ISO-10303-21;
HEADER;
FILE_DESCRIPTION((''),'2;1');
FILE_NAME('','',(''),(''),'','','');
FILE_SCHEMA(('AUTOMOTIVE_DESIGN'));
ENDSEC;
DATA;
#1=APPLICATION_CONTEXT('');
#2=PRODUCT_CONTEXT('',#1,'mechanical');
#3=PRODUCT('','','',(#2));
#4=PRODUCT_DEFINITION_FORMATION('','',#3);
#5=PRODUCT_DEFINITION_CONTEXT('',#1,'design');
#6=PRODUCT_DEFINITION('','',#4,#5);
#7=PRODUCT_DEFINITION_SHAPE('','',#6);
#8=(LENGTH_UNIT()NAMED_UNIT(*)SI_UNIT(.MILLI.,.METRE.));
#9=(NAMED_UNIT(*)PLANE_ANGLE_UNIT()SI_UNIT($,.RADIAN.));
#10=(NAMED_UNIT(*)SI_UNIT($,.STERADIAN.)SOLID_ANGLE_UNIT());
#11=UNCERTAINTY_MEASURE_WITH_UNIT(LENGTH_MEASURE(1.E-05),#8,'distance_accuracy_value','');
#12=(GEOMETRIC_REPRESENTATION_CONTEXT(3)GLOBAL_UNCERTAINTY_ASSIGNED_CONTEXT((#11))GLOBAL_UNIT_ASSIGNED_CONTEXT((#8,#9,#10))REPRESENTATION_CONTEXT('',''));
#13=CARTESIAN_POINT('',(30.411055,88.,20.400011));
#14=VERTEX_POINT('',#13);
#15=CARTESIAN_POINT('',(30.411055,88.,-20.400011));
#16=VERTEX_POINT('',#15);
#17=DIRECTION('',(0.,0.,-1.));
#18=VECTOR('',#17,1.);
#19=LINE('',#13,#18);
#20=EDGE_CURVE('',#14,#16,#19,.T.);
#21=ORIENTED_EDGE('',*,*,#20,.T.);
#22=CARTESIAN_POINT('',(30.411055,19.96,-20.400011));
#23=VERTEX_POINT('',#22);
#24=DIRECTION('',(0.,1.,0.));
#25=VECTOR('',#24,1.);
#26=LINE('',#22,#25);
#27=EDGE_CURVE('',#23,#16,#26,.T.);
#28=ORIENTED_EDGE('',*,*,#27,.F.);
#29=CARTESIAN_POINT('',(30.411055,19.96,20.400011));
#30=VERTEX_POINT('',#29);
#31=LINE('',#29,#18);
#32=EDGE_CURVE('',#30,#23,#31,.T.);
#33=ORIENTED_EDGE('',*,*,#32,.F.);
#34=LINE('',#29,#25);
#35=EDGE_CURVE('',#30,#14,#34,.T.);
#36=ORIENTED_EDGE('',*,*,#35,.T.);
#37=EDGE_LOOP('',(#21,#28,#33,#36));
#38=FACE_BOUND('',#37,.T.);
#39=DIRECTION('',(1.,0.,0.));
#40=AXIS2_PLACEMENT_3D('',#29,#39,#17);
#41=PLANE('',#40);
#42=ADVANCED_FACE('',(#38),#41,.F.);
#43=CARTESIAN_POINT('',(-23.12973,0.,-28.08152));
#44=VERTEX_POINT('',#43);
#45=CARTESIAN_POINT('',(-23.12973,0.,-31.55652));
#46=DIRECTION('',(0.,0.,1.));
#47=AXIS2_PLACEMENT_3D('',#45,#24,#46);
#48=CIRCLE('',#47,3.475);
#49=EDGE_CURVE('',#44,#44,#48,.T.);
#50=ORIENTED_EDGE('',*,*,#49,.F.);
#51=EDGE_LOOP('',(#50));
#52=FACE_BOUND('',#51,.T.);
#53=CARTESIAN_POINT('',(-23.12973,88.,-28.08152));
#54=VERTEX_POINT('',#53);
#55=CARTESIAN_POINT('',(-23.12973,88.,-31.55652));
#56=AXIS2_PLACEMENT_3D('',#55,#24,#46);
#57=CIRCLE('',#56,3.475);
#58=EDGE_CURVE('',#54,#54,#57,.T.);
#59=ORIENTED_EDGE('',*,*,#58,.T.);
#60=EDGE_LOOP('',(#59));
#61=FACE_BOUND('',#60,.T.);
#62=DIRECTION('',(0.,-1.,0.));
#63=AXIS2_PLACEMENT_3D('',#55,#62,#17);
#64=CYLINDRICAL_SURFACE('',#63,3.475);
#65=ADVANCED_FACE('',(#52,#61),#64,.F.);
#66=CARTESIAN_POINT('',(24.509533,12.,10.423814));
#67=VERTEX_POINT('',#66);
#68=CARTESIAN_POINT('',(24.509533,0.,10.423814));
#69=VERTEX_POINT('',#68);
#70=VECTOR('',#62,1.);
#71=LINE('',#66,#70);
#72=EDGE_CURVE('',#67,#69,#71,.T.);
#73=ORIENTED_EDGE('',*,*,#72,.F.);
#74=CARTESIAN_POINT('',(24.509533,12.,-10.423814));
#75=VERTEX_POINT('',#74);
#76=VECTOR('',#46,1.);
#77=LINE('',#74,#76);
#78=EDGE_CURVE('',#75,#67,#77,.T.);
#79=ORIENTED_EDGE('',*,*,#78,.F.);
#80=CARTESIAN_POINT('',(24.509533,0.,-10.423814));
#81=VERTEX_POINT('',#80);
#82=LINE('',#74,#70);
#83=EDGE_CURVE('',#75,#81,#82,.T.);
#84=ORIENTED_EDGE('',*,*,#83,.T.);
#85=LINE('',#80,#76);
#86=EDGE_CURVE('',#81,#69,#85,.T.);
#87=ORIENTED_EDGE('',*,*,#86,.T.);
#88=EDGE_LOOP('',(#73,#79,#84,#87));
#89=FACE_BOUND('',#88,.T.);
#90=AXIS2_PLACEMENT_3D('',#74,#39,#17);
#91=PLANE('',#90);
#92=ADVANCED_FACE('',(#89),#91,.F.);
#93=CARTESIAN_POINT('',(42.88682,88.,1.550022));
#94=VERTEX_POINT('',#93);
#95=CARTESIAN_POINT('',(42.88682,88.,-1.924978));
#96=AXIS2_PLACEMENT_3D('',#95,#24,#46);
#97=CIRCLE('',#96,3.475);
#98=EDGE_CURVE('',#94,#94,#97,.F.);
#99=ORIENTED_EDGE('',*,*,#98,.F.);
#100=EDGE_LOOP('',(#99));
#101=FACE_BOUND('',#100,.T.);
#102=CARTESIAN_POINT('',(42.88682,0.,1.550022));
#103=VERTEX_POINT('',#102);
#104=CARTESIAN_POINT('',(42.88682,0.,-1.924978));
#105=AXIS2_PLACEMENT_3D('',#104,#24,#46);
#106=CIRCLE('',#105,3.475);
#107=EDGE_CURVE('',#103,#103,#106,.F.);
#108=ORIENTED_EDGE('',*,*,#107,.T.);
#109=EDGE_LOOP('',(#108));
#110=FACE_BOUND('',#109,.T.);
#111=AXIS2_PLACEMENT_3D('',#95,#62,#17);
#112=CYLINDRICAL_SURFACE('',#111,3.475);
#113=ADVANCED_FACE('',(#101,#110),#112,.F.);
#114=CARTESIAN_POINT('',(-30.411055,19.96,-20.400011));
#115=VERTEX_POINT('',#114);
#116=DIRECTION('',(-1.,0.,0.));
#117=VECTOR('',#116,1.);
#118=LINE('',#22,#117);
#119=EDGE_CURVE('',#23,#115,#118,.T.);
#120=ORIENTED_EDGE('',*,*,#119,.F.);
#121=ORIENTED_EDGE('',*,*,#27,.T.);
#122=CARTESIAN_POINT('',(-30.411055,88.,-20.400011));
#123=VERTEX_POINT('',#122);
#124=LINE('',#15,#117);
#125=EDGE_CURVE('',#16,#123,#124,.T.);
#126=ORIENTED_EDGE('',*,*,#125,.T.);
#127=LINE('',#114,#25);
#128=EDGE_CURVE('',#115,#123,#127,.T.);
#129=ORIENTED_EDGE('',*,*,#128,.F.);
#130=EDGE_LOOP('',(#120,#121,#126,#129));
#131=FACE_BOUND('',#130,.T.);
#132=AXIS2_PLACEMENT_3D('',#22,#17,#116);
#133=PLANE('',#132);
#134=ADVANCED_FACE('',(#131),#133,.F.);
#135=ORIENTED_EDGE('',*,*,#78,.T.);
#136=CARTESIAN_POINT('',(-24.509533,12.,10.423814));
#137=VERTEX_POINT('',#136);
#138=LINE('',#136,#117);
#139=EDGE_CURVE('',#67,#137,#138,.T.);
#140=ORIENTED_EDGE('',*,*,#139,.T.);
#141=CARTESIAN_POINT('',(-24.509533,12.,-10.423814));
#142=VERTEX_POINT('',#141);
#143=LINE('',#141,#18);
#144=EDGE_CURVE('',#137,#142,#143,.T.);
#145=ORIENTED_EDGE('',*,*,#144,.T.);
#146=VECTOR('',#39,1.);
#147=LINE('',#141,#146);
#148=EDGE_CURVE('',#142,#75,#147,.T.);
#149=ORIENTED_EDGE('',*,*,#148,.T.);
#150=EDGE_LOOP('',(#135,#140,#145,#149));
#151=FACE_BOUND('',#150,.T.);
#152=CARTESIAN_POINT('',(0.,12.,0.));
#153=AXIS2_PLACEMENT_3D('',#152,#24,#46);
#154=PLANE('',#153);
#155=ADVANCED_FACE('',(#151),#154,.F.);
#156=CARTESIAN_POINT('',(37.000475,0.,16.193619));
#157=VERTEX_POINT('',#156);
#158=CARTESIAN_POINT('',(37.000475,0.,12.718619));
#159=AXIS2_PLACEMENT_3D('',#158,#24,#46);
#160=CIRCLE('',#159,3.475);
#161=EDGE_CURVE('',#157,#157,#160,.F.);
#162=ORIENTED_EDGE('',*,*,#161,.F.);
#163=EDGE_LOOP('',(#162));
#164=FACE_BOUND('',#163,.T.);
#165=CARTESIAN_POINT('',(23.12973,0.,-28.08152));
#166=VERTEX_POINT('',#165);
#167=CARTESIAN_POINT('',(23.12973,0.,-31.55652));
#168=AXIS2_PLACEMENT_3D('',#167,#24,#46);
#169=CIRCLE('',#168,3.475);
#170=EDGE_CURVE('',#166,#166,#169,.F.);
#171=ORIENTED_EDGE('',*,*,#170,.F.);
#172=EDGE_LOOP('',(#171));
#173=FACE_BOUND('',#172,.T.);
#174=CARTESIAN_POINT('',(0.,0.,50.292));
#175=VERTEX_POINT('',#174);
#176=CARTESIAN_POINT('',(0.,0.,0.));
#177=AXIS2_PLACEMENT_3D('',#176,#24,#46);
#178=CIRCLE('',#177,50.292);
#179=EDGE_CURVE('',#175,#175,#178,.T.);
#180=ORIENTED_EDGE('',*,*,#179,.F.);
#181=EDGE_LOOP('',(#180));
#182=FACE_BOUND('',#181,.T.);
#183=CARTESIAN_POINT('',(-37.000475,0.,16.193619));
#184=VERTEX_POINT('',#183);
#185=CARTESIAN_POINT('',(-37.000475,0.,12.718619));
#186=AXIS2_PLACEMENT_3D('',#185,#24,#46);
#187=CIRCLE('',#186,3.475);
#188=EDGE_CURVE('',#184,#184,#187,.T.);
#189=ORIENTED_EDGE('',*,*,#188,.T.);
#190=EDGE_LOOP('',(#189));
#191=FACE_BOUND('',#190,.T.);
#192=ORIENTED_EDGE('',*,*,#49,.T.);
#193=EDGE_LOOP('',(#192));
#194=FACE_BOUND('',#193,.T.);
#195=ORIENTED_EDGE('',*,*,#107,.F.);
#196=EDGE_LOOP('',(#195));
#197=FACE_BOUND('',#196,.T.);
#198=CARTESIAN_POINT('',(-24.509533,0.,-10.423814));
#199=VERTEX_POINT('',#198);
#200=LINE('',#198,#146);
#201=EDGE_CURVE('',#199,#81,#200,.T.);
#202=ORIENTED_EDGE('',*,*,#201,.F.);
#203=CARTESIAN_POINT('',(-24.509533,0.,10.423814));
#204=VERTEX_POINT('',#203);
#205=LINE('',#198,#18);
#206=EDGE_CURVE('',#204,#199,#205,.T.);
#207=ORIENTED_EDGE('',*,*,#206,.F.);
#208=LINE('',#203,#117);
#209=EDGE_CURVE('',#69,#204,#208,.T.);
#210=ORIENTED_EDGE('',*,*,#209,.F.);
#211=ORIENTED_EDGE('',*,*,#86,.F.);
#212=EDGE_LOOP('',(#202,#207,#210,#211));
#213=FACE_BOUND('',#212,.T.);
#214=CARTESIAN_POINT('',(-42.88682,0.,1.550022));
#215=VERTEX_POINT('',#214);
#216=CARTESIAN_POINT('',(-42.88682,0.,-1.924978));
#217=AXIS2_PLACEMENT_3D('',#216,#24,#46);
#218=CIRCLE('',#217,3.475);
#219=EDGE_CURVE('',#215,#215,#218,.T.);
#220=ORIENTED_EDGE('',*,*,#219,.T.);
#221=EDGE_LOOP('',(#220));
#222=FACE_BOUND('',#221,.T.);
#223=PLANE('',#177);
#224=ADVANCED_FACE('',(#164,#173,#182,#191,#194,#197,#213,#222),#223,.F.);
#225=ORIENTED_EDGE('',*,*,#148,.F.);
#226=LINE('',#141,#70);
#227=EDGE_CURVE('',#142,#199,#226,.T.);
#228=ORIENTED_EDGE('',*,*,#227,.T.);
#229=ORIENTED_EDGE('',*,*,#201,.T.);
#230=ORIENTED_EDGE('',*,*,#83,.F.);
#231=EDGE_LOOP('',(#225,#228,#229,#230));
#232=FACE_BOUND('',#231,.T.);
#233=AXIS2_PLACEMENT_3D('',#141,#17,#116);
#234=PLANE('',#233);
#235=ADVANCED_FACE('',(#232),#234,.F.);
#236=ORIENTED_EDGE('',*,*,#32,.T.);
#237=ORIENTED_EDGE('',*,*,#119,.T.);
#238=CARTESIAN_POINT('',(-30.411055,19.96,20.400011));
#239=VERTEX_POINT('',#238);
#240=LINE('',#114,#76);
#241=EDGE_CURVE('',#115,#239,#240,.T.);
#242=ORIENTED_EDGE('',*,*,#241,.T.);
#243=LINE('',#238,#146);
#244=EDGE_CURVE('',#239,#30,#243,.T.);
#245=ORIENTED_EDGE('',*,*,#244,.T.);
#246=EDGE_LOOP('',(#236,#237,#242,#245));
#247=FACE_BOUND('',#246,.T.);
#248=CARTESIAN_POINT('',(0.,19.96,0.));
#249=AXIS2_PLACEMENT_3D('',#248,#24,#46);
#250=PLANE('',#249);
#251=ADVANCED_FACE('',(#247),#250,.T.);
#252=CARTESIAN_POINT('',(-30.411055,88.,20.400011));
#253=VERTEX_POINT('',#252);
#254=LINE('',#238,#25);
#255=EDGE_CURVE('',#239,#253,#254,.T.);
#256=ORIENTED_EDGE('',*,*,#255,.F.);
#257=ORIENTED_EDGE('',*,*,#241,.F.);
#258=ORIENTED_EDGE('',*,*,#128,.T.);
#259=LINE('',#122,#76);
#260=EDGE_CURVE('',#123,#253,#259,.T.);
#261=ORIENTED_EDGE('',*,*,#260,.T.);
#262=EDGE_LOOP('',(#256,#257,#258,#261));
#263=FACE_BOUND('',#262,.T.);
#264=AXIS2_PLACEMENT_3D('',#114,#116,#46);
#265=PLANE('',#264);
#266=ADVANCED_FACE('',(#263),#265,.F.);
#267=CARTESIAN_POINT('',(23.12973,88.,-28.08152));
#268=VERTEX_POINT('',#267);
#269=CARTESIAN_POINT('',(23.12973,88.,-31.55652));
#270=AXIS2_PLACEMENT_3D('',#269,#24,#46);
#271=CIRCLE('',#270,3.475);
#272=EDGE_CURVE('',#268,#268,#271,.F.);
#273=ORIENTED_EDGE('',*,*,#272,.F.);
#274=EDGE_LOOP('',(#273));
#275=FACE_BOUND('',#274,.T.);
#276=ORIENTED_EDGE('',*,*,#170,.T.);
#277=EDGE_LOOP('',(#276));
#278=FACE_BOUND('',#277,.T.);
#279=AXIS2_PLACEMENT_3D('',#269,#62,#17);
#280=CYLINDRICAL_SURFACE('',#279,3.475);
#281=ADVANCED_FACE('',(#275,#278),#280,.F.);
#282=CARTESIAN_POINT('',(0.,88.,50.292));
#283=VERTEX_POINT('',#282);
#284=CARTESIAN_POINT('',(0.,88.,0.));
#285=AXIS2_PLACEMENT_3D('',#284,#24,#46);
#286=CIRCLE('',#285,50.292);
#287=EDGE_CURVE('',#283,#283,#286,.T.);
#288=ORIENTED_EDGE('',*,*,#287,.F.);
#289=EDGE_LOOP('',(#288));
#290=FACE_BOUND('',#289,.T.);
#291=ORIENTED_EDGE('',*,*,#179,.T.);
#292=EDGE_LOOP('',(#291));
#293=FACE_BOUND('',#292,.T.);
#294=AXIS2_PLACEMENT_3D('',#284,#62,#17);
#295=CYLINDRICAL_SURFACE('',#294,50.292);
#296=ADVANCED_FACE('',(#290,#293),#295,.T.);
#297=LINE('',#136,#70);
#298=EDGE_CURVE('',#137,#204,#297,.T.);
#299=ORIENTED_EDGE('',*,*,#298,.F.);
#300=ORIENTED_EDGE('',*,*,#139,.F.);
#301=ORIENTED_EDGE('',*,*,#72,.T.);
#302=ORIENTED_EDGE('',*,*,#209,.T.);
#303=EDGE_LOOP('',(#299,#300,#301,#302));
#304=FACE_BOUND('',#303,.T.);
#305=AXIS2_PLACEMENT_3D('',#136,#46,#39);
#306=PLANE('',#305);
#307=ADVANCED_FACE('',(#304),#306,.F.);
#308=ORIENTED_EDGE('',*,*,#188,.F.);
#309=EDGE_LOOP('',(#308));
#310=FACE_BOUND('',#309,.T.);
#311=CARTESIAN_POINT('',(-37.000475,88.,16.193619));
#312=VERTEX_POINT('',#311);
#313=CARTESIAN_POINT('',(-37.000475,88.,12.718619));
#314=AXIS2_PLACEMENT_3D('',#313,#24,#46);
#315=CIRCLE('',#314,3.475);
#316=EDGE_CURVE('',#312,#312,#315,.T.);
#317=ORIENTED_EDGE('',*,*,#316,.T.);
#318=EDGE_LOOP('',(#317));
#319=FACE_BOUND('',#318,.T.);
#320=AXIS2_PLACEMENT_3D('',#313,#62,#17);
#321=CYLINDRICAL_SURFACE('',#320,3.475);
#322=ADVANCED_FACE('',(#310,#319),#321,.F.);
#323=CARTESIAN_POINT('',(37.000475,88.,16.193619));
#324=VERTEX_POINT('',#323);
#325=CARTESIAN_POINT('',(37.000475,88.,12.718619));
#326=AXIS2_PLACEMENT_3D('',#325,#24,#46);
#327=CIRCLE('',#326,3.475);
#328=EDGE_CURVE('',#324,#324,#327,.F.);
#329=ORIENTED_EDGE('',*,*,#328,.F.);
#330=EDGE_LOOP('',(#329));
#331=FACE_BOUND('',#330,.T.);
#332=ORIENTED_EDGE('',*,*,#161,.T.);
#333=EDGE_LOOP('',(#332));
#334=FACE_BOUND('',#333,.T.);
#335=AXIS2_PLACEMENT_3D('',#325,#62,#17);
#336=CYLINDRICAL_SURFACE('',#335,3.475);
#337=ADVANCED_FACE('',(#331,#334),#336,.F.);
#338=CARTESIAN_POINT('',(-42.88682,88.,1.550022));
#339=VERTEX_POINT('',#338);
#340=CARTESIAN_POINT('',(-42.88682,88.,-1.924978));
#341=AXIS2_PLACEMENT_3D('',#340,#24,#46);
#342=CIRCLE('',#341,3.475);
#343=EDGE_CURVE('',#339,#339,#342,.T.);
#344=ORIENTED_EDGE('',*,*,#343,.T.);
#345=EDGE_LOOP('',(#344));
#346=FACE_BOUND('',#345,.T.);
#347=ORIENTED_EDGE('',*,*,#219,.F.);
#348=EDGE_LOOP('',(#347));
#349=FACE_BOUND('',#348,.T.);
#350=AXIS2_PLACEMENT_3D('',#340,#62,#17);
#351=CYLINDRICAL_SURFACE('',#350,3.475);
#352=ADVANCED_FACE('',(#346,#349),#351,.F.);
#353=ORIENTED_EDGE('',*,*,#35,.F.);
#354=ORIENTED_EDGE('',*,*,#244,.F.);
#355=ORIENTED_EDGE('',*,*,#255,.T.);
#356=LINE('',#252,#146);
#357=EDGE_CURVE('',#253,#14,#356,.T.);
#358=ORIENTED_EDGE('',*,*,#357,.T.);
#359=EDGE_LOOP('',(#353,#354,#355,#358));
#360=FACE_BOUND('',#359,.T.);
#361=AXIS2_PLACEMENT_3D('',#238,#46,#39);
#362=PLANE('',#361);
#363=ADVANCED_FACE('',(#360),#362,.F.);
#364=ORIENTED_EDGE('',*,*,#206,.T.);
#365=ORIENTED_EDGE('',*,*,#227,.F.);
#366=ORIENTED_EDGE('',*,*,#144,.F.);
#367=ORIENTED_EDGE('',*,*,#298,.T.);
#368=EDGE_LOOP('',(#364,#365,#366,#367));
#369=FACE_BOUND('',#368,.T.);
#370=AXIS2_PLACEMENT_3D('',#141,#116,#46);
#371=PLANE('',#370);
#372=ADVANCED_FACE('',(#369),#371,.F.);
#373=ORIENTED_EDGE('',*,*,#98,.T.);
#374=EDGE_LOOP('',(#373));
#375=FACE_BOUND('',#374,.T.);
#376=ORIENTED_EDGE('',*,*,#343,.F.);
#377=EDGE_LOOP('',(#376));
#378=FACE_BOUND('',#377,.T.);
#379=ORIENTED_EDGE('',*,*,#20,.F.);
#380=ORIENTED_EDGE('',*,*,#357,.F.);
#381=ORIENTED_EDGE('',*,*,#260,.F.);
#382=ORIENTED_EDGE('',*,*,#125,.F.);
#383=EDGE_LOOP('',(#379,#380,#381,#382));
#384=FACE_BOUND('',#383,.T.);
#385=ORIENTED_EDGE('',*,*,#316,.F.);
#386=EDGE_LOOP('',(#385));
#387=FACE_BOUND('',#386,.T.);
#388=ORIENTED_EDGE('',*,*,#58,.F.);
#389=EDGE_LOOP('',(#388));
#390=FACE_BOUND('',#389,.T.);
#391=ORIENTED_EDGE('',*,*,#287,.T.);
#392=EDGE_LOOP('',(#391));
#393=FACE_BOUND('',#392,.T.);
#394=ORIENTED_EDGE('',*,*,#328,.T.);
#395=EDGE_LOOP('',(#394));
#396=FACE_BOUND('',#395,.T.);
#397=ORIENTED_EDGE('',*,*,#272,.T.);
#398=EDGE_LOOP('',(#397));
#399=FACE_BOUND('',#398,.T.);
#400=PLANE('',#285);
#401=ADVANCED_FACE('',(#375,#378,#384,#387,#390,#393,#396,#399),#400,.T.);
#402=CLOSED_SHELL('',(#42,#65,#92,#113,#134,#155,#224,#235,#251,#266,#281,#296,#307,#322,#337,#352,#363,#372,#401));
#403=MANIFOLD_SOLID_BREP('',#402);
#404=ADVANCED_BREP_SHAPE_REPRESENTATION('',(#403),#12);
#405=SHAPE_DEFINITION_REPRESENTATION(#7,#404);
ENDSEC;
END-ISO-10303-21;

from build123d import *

# Parameters (mm, degrees)
SKETCH1_R           = 50.292
SKETCH1_R_2         = 3.475
BOSS_EXTRUDE1_DEPTH = 88
SKETCH2_W           = 60.822109288
SKETCH2_H           = 40.800022246
CUT_EXTRUDE1_DEPTH  = 68.04
SKETCH3_W           = 49.01906667
SKETCH3_H           = 20.847628368
CUT_EXTRUDE2_DEPTH  = 12


with BuildPart() as part:
    # Sketch1 → Boss-Extrude1 (new body)
    with BuildSketch(Plane(origin=(0, 0, 0), x_dir=(1, 0, 0), z_dir=(0, 1, 0))):
        Circle(SKETCH1_R)
        with Locations((42.886820356, 1.924977859)):
            Circle(SKETCH1_R_2, mode=Mode.SUBTRACT)
        with Locations((-42.886820356, 1.924977859)):
            Circle(SKETCH1_R_2, mode=Mode.SUBTRACT)
        with Locations((-37.000474826, -12.718618748)):
            Circle(SKETCH1_R_2, mode=Mode.SUBTRACT)
        with Locations((-23.129730363, 31.556520301)):
            Circle(SKETCH1_R_2, mode=Mode.SUBTRACT)
        with Locations((37.000474826, -12.718618748)):
            Circle(SKETCH1_R_2, mode=Mode.SUBTRACT)
        with Locations((23.129730363, 31.556520301)):
            Circle(SKETCH1_R_2, mode=Mode.SUBTRACT)
    extrude(amount=BOSS_EXTRUDE1_DEPTH)

    # Sketch2 → Cut-Extrude1 (cut)
    with BuildSketch(Plane(origin=(0, 88, 0), x_dir=(1, 0, 0), z_dir=(0, 1, 0))):
        Rectangle(SKETCH2_W, SKETCH2_H)
    extrude(amount=-CUT_EXTRUDE1_DEPTH, mode=Mode.SUBTRACT)

    # Sketch3 → Cut-Extrude2 (cut)
    with BuildSketch(Plane(origin=(0, 0, 0), x_dir=(-1, 0, 0), z_dir=(0, -1, 0))):
        Rectangle(SKETCH3_W, SKETCH3_H)
    extrude(amount=-CUT_EXTRUDE2_DEPTH, mode=Mode.SUBTRACT)


solid = part.part
